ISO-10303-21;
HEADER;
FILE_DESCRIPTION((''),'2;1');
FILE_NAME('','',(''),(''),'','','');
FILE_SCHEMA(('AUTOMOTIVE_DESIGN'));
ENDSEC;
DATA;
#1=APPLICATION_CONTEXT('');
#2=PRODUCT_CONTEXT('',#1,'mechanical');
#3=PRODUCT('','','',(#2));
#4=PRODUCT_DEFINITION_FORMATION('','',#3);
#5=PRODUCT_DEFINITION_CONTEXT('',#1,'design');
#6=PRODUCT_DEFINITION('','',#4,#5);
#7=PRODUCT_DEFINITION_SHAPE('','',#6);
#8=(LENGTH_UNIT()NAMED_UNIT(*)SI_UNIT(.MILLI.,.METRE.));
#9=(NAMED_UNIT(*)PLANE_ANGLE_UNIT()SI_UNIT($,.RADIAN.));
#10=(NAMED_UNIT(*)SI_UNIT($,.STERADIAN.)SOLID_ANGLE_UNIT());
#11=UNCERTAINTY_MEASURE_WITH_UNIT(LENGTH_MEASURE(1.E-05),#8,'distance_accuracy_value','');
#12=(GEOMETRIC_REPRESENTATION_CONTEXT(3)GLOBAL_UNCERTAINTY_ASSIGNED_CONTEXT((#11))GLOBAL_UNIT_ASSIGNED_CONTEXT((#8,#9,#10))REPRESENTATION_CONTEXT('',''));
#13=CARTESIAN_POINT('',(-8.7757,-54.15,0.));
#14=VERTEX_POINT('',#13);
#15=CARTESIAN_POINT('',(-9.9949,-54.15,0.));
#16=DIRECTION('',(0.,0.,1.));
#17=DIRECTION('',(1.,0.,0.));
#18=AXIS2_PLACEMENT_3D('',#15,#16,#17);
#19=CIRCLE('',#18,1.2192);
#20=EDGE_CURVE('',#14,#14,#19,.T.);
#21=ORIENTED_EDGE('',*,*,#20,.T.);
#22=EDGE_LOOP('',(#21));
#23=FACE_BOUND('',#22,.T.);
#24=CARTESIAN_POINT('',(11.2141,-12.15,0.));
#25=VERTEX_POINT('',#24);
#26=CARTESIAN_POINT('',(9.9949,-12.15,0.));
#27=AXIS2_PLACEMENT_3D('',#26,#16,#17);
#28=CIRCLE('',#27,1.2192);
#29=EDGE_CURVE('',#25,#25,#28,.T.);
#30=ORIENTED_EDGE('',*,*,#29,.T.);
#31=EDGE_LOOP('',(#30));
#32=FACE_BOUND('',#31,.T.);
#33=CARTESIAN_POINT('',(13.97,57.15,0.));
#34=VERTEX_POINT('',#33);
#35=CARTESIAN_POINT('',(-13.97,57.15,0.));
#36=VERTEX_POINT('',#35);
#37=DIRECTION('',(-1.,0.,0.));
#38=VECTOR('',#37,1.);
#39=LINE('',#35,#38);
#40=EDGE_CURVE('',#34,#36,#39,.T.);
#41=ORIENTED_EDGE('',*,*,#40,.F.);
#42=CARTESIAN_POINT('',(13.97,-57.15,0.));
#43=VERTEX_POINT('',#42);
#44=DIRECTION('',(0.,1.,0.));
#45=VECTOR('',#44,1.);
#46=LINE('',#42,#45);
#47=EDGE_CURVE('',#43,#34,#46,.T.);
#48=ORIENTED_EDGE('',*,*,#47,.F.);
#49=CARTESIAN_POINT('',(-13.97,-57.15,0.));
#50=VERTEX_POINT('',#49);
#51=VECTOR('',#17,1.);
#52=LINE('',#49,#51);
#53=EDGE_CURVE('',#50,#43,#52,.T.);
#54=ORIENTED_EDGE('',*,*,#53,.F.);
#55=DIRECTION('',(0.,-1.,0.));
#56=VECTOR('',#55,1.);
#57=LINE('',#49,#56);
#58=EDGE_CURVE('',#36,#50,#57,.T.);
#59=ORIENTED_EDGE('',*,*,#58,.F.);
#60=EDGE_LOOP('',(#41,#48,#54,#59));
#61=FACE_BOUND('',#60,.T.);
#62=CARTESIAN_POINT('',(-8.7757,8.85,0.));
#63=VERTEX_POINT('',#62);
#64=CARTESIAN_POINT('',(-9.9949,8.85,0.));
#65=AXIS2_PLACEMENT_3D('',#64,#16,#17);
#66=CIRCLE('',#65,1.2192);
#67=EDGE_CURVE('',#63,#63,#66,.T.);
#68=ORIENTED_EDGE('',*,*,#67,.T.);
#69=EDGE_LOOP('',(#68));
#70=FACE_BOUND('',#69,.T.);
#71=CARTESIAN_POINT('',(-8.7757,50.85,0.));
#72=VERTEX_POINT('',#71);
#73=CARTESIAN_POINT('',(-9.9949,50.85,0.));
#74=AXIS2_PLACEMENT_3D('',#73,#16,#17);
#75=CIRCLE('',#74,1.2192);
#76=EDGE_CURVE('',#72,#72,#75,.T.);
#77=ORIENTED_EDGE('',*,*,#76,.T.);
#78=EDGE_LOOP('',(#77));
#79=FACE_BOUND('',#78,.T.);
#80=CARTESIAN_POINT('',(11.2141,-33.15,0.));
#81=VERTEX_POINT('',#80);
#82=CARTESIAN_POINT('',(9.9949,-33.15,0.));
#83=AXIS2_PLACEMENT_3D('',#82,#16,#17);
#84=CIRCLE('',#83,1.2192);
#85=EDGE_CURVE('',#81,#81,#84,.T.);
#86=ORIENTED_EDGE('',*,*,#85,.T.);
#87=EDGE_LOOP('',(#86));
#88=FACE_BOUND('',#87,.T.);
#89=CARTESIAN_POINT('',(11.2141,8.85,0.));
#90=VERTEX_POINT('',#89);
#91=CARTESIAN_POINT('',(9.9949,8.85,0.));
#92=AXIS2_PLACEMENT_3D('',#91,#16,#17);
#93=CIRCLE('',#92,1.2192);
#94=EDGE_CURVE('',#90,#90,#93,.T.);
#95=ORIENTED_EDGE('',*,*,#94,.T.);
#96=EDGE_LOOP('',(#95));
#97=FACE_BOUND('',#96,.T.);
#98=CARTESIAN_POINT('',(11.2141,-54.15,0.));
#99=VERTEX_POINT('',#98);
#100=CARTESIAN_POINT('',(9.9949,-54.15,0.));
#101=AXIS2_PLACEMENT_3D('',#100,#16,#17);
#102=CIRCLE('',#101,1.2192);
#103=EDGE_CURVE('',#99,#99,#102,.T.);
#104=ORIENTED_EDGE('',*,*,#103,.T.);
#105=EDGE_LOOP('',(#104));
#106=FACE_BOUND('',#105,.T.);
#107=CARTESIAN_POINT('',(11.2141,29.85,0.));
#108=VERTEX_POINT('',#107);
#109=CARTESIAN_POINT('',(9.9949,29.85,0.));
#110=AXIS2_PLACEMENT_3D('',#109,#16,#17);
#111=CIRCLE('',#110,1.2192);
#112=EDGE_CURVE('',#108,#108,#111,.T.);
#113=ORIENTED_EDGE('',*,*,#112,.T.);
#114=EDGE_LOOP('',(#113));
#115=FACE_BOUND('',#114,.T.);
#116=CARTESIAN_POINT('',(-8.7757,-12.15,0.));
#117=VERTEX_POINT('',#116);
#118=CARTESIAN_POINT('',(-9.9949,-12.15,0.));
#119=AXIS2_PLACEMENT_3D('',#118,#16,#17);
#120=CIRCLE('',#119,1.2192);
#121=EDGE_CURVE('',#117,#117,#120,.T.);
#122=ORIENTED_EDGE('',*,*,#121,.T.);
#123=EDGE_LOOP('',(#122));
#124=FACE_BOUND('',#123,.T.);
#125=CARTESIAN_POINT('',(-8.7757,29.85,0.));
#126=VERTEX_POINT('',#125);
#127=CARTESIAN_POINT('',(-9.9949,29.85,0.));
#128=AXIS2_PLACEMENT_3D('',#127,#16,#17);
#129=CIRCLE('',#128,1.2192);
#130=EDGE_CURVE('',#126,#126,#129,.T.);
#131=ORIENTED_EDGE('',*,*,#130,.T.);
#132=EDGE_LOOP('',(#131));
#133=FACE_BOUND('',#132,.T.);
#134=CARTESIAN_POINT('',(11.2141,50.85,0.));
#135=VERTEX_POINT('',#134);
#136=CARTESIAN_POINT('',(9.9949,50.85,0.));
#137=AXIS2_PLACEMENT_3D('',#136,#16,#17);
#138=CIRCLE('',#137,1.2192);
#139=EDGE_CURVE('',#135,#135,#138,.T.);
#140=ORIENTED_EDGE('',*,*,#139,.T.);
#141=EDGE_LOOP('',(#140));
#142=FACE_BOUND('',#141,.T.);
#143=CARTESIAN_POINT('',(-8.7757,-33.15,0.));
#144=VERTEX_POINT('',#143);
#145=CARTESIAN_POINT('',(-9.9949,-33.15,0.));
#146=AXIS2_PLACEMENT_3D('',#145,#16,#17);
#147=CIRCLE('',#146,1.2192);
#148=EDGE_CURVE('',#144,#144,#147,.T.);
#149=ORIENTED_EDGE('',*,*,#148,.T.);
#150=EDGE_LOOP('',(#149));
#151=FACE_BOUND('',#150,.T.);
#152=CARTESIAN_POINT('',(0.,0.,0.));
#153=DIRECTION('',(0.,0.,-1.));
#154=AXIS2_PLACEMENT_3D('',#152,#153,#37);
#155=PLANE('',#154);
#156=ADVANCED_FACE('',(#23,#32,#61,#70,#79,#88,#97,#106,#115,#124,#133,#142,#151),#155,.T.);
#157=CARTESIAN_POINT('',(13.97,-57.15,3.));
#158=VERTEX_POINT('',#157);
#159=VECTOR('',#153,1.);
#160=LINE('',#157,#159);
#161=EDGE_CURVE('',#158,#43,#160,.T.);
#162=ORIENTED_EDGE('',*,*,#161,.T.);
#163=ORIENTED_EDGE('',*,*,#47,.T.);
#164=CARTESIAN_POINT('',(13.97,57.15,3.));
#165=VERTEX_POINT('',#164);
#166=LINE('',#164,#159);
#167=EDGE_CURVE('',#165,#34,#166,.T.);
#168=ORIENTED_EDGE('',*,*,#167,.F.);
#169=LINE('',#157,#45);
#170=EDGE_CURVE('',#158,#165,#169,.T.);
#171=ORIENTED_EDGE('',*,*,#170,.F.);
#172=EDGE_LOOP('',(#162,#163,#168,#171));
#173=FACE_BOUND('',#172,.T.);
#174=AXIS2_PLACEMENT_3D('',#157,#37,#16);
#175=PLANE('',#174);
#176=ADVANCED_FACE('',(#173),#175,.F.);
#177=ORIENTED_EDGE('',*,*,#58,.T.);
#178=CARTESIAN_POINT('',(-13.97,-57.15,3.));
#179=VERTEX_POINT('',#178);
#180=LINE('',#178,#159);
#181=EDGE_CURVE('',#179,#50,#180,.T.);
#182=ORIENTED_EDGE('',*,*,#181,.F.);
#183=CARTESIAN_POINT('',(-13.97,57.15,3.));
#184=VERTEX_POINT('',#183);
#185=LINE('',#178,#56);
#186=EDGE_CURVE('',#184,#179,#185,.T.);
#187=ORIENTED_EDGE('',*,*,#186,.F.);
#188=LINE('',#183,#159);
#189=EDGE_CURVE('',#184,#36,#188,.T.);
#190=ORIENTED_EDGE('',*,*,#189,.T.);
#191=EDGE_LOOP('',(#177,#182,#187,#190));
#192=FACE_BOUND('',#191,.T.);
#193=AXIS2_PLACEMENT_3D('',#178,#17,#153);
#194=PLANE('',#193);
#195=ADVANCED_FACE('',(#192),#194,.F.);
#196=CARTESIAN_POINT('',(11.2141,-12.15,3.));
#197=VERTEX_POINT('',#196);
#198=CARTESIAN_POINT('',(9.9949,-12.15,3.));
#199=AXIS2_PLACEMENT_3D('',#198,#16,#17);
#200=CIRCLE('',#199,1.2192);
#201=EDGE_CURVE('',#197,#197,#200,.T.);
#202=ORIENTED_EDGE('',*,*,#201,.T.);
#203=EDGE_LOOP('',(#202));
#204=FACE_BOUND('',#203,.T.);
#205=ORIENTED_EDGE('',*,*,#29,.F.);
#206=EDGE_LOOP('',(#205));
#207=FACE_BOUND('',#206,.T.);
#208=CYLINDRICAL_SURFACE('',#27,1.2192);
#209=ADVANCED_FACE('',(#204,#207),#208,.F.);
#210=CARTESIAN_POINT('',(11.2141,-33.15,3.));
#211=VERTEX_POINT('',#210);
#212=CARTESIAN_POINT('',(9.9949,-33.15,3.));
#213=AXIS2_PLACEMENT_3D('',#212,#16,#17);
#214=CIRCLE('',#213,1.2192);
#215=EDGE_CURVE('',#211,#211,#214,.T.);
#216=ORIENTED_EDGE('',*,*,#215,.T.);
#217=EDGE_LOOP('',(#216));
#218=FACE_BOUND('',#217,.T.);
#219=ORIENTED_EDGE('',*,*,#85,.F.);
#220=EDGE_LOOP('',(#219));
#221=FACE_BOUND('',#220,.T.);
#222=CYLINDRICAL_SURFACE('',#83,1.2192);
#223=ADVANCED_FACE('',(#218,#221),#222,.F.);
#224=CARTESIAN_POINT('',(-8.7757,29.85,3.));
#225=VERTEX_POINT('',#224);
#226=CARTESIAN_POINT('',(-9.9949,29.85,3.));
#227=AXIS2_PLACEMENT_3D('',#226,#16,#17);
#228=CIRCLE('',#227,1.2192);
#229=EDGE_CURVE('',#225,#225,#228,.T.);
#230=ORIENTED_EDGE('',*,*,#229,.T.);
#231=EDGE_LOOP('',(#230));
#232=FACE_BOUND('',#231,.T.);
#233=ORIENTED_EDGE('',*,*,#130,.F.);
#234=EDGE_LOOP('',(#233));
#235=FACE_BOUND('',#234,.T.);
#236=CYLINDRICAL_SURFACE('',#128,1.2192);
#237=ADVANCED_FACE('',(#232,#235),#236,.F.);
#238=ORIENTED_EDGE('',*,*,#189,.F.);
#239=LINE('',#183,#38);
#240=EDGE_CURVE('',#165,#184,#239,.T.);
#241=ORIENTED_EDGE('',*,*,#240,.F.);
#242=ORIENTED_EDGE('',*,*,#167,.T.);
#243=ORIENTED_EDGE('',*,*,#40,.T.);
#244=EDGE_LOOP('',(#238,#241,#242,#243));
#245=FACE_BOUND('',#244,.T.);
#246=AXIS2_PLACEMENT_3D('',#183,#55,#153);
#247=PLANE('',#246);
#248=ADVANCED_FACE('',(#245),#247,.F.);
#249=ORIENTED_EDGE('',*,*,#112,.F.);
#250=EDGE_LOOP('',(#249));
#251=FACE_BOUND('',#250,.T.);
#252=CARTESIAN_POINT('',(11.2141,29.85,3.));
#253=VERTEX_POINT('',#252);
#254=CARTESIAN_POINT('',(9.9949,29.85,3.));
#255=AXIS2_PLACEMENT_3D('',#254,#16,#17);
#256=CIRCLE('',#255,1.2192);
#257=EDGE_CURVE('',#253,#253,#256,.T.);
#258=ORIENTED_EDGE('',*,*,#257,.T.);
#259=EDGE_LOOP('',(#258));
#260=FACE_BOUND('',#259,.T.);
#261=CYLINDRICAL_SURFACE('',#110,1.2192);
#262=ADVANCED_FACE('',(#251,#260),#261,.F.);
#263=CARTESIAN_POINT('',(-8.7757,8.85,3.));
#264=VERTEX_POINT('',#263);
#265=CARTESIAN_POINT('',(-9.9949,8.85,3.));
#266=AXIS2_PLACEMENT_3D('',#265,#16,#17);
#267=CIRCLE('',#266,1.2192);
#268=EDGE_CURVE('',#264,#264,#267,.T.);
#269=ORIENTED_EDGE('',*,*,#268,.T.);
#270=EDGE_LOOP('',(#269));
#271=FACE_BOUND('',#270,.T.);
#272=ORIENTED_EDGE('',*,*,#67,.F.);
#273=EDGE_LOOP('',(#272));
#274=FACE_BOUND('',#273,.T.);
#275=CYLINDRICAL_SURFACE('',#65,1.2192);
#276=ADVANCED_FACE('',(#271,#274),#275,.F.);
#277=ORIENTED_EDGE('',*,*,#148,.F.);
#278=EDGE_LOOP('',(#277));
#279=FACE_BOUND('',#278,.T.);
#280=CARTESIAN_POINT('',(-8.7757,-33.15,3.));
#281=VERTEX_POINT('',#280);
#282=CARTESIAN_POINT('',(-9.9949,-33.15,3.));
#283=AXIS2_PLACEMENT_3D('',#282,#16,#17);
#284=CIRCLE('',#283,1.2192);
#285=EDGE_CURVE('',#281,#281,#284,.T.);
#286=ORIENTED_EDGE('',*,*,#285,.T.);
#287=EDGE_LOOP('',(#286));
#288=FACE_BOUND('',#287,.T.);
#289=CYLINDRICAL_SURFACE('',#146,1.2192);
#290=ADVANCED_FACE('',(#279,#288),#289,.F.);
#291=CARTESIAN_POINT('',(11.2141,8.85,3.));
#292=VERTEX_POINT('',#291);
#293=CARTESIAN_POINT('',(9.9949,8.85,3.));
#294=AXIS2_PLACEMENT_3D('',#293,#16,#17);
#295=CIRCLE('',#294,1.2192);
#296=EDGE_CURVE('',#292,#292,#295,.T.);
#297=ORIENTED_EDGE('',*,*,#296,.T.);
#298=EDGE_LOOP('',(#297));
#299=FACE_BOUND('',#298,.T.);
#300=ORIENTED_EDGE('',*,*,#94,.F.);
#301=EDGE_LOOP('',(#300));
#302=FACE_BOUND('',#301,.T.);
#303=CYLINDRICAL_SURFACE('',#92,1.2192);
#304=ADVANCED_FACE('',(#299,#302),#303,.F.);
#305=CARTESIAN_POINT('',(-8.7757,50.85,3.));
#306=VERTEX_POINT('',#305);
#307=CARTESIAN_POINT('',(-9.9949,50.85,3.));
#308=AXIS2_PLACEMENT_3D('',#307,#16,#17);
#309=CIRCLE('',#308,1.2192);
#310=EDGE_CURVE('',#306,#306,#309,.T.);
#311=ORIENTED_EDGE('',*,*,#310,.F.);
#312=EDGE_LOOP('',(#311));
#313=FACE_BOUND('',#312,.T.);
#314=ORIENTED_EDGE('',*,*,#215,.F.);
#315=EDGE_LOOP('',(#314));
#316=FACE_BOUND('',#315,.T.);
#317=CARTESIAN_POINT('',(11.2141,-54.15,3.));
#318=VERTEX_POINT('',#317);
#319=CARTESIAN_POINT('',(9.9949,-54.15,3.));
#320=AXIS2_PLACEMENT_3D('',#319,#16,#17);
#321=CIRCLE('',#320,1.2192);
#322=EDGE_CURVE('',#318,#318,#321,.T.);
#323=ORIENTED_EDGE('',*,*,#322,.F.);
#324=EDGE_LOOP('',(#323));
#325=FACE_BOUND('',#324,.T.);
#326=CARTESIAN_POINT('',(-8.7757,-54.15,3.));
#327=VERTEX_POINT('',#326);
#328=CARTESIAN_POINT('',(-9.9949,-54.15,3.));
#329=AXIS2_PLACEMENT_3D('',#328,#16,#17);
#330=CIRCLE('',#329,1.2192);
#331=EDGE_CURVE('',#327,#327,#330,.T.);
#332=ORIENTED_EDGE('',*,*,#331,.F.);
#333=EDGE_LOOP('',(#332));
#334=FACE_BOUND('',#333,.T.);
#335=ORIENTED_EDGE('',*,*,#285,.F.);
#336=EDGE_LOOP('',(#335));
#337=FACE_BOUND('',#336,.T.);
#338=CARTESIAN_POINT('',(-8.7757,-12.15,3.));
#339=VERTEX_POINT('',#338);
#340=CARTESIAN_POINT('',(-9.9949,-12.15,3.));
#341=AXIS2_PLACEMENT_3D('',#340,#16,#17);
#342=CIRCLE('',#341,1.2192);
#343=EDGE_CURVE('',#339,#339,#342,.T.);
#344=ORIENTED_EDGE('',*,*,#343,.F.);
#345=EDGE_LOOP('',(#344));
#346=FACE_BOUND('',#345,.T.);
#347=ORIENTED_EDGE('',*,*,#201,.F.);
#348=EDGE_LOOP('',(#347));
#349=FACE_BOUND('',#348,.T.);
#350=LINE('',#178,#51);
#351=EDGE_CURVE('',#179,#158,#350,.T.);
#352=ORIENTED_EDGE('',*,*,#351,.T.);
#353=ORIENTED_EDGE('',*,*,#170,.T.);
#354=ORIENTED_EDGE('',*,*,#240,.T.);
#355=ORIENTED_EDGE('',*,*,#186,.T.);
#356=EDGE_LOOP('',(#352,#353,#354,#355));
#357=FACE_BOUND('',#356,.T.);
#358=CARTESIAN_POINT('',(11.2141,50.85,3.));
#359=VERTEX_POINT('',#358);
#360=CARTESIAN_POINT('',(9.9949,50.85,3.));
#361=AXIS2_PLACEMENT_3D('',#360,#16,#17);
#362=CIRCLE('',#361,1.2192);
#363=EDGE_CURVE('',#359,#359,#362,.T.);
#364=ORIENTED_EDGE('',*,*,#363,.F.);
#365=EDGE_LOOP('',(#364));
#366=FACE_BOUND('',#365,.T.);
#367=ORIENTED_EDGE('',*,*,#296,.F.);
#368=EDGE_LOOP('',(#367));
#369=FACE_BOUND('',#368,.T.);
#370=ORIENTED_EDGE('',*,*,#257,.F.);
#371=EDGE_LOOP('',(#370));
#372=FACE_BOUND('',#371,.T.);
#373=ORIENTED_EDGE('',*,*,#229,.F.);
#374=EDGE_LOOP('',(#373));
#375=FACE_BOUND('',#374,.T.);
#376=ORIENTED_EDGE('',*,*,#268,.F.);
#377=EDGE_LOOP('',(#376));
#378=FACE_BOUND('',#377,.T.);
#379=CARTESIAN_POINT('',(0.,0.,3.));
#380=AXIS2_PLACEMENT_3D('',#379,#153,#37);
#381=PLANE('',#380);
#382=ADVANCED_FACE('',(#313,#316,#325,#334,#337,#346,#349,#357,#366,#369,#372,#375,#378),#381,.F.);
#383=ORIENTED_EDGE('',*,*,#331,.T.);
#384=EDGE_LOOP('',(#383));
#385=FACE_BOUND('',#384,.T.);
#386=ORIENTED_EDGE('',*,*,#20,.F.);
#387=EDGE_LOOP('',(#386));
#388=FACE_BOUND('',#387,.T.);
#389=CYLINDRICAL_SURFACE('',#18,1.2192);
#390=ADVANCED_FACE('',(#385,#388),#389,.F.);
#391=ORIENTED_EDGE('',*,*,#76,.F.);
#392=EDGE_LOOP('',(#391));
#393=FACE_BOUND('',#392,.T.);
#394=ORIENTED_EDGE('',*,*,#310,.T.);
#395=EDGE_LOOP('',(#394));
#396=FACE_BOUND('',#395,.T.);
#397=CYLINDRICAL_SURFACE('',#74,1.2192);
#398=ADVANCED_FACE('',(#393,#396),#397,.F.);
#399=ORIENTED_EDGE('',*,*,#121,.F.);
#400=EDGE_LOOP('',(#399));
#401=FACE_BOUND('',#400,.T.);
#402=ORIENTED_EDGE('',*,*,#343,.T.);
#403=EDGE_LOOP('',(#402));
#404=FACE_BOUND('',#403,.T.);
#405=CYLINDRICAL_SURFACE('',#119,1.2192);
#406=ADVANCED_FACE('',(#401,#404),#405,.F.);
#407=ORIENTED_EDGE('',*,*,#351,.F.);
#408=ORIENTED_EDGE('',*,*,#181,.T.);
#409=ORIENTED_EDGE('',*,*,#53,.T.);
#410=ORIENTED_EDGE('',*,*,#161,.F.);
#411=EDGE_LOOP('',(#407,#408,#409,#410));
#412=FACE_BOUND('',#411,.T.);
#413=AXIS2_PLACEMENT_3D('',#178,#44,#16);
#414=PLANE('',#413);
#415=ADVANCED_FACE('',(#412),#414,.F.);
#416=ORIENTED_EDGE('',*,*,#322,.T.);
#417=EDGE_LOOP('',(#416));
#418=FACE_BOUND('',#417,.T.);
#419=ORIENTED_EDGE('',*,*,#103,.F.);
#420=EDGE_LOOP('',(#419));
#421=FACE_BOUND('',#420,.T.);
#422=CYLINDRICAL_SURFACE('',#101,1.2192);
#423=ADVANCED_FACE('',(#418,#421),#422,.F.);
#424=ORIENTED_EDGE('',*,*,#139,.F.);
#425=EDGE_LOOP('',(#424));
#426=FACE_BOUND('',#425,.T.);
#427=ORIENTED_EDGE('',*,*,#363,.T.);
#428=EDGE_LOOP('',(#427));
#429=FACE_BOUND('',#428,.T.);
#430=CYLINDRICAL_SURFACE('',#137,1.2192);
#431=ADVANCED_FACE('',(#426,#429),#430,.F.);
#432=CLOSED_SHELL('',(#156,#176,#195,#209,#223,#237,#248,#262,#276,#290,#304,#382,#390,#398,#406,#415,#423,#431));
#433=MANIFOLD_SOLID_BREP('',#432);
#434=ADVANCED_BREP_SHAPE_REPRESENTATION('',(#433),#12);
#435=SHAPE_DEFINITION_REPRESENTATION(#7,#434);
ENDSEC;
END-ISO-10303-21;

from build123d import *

# Parameters (mm, degrees)
SKETCH1_W           = 27.94
SKETCH1_H           = 114.3
BOSS_EXTRUDE1_DEPTH = 3
SKETCH2_R           = 1.2192
CUT_EXTRUDE1_DEPTH  = 59.90911135
LPATTERN1_COUNT     = 6
LPATTERN1_PITCH     = 21


with BuildPart() as part:
    # Sketch1 → Boss-Extrude1 (new body)
    with BuildSketch(Plane.XY):
        Rectangle(SKETCH1_W, SKETCH1_H)
    extrude(amount=BOSS_EXTRUDE1_DEPTH)

    # Sketch2 → Cut-Extrude1 (cut, through all)
    with BuildSketch(Plane.XY.offset(3)):
        with Locations((-9.9949, -54.15)):
            Circle(SKETCH2_R)
        with Locations((9.9949, -54.15)):
            Circle(SKETCH2_R)
    cut_extrude1 = extrude(amount=-CUT_EXTRUDE1_DEPTH, mode=Mode.SUBTRACT)

    # LPattern1: Cut-Extrude1 ×6
    with Locations(*[(0, i * LPATTERN1_PITCH, 0) for i in range(1, LPATTERN1_COUNT)]):
        add(cut_extrude1, mode=Mode.SUBTRACT)


solid = part.part
